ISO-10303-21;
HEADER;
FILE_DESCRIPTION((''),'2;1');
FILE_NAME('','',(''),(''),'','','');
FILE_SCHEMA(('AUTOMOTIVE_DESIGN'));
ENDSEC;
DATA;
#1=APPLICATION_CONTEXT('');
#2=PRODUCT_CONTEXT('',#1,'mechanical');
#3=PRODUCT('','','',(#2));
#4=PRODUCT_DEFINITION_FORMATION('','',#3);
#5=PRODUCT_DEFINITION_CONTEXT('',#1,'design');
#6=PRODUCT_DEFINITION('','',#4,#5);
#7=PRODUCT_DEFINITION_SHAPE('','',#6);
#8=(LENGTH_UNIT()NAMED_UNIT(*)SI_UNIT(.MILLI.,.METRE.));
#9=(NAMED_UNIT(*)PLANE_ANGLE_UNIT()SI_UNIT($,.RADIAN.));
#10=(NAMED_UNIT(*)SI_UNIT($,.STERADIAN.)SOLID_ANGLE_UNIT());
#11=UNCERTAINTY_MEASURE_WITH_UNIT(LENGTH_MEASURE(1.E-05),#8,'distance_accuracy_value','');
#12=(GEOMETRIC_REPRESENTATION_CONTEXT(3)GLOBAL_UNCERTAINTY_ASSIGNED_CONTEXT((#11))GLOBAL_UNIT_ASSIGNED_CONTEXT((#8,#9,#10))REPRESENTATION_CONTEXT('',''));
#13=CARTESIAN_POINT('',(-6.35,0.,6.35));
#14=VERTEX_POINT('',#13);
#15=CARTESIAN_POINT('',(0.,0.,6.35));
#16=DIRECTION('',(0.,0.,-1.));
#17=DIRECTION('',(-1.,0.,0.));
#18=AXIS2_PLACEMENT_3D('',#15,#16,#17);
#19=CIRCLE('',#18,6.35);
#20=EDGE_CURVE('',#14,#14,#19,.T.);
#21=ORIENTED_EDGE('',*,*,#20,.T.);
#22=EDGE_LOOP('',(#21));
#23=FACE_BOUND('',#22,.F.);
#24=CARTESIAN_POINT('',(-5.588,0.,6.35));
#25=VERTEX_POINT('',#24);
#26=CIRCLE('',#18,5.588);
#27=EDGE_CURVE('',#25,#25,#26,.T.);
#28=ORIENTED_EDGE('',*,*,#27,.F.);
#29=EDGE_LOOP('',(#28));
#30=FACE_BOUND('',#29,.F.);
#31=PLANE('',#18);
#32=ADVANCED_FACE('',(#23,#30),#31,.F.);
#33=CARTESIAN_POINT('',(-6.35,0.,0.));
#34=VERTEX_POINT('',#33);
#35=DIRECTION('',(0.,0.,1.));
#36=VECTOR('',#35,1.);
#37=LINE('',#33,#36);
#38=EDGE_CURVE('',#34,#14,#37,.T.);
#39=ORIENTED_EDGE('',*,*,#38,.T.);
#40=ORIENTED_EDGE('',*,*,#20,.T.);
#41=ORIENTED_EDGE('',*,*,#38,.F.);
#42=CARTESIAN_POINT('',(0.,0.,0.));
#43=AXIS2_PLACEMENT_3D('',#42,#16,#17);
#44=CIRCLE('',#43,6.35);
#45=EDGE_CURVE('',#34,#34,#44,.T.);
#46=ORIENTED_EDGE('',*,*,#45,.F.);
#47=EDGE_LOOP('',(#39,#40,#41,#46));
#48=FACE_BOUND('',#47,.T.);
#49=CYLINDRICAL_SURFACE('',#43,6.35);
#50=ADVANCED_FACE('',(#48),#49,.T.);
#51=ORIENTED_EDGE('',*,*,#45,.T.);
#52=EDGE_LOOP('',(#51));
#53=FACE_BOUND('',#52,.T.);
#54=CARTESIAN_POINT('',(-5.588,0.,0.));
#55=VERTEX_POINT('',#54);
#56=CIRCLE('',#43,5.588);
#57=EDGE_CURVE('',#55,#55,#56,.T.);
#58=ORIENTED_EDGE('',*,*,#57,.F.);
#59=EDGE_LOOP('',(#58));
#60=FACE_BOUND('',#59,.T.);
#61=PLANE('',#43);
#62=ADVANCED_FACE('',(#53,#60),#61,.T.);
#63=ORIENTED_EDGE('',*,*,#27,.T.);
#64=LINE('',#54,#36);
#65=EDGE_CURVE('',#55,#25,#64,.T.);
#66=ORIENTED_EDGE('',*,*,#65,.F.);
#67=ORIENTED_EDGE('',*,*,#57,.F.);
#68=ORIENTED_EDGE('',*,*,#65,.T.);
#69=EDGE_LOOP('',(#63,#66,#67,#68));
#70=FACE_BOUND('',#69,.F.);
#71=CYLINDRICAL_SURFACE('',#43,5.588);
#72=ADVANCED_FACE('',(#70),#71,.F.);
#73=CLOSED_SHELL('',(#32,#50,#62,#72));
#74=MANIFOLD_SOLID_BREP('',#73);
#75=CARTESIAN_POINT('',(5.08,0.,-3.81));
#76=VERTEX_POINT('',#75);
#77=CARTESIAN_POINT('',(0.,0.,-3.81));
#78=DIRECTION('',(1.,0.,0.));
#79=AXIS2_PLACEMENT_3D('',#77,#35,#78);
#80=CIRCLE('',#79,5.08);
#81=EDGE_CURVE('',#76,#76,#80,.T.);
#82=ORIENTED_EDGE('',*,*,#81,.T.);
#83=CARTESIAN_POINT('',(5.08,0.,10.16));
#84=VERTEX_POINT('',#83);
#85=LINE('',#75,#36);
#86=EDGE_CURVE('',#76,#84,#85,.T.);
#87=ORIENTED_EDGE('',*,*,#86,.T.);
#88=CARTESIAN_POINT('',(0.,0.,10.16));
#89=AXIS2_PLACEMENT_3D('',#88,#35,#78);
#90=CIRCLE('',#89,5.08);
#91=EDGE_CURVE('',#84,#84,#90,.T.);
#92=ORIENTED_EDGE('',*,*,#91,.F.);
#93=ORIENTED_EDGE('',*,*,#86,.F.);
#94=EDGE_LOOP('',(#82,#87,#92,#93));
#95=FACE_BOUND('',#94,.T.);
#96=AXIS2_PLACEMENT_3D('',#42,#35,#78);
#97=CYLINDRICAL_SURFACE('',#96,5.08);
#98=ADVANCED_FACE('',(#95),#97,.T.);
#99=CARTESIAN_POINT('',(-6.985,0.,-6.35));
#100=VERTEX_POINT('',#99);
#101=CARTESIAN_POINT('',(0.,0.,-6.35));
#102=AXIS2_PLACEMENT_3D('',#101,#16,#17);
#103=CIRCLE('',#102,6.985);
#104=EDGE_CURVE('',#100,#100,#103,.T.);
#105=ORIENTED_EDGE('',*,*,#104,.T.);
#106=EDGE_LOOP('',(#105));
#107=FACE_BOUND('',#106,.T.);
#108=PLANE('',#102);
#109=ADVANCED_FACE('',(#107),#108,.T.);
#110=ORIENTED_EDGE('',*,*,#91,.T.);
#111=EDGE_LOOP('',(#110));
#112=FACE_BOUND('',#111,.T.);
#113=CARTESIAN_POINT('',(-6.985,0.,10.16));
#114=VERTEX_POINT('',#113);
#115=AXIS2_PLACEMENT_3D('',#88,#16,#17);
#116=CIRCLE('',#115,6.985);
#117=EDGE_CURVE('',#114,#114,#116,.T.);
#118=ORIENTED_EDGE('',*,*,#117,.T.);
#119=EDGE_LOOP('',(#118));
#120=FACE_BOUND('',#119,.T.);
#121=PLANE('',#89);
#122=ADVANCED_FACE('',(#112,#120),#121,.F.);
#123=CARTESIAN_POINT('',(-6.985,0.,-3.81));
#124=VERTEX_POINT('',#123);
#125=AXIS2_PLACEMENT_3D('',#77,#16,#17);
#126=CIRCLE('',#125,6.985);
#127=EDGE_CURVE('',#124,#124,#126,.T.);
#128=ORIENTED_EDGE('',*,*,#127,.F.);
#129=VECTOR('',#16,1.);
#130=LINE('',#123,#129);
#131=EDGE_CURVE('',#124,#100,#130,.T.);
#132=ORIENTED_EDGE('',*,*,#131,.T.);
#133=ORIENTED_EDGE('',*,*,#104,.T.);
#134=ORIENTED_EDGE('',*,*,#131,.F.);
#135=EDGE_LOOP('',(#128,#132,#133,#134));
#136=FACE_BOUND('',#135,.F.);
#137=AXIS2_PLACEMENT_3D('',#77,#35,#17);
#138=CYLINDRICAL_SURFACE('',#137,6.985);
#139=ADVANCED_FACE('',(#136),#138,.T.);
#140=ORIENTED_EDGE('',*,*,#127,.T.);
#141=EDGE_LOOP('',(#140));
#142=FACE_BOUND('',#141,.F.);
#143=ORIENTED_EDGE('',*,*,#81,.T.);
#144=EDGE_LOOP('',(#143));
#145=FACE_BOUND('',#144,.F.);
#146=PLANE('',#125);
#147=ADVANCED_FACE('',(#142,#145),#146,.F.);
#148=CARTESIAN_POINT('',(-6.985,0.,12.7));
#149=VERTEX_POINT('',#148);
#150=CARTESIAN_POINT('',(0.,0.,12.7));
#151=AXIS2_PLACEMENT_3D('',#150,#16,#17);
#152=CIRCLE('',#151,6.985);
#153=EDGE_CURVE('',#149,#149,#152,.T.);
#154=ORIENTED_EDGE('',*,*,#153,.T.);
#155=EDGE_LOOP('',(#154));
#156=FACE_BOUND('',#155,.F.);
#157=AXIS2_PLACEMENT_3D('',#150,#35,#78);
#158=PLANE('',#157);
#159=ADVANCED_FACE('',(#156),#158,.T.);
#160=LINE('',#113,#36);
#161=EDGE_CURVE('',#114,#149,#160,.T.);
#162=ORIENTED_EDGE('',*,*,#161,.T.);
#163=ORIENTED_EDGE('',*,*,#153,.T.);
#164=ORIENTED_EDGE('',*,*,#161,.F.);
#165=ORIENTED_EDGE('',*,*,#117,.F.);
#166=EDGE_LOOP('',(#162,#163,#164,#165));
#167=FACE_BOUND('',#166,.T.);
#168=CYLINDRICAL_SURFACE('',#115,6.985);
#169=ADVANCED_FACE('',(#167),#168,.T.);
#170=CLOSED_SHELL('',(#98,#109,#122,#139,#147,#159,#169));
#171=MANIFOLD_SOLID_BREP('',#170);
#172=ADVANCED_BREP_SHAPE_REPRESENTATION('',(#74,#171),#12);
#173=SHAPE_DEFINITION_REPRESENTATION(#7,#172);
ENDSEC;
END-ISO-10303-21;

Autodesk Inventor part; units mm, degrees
ref_plane "YZ Plane" through (0, 0, 0) normal (1, 0, 0) x (0, 1, 0)
ref_plane "XZ Plane" through (0, 0, 0) normal (0, 1, 0) x (-1, 0, 0)
sketch "Sketch1" plane through (0, 0, 0) normal (0, 0, 1) x (1, 0, 0)
  circle A0 centre (0, 0) radius 5.08
  dimension "d0" = 10.16
extrude "Extrusion1" add sketch "Sketch1" along normal blind 10.16
ref_plane "Work Plane1" through (0, 0, 5.08) normal (0, 0, -1) x (-1, 0, 0)
sketch "Sketch4" plane through (0, 0, 0) normal (0, 0, -1) x (-1, 0, 0)
  circle A0 centre (0, 0) radius 5.588
  circle A1 centre (0, 0) radius 6.35
  dimension "d13" = 11.176
  dimension "d14" = 12.7
extrude "Extrusion4" add sketch "Sketch4" against normal blind 6.35
extrude "Extrusion5" add sketch "Sketch1" against normal blind 3.81
sketch "Sketch5" plane through (0, 0, -3.81) normal (0, 0, -1) x (-1, 0, 0)
  circle A0 centre (0, 0) radius 6.985
  dimension "d25" = 13.97
extrude "Extrusion6" add sketch "Sketch5" along normal blind 2.54
ref_plane "Work Plane2" through (0, 0, 3.175) normal (0, 0, 1) x (1, 0, 0)
mirror "Mirror2" about plane through (0, 0, 3.175) normal (0, 0, 1) of "Extrusion6"
properties part number "Ring Tolerance Test 6"
